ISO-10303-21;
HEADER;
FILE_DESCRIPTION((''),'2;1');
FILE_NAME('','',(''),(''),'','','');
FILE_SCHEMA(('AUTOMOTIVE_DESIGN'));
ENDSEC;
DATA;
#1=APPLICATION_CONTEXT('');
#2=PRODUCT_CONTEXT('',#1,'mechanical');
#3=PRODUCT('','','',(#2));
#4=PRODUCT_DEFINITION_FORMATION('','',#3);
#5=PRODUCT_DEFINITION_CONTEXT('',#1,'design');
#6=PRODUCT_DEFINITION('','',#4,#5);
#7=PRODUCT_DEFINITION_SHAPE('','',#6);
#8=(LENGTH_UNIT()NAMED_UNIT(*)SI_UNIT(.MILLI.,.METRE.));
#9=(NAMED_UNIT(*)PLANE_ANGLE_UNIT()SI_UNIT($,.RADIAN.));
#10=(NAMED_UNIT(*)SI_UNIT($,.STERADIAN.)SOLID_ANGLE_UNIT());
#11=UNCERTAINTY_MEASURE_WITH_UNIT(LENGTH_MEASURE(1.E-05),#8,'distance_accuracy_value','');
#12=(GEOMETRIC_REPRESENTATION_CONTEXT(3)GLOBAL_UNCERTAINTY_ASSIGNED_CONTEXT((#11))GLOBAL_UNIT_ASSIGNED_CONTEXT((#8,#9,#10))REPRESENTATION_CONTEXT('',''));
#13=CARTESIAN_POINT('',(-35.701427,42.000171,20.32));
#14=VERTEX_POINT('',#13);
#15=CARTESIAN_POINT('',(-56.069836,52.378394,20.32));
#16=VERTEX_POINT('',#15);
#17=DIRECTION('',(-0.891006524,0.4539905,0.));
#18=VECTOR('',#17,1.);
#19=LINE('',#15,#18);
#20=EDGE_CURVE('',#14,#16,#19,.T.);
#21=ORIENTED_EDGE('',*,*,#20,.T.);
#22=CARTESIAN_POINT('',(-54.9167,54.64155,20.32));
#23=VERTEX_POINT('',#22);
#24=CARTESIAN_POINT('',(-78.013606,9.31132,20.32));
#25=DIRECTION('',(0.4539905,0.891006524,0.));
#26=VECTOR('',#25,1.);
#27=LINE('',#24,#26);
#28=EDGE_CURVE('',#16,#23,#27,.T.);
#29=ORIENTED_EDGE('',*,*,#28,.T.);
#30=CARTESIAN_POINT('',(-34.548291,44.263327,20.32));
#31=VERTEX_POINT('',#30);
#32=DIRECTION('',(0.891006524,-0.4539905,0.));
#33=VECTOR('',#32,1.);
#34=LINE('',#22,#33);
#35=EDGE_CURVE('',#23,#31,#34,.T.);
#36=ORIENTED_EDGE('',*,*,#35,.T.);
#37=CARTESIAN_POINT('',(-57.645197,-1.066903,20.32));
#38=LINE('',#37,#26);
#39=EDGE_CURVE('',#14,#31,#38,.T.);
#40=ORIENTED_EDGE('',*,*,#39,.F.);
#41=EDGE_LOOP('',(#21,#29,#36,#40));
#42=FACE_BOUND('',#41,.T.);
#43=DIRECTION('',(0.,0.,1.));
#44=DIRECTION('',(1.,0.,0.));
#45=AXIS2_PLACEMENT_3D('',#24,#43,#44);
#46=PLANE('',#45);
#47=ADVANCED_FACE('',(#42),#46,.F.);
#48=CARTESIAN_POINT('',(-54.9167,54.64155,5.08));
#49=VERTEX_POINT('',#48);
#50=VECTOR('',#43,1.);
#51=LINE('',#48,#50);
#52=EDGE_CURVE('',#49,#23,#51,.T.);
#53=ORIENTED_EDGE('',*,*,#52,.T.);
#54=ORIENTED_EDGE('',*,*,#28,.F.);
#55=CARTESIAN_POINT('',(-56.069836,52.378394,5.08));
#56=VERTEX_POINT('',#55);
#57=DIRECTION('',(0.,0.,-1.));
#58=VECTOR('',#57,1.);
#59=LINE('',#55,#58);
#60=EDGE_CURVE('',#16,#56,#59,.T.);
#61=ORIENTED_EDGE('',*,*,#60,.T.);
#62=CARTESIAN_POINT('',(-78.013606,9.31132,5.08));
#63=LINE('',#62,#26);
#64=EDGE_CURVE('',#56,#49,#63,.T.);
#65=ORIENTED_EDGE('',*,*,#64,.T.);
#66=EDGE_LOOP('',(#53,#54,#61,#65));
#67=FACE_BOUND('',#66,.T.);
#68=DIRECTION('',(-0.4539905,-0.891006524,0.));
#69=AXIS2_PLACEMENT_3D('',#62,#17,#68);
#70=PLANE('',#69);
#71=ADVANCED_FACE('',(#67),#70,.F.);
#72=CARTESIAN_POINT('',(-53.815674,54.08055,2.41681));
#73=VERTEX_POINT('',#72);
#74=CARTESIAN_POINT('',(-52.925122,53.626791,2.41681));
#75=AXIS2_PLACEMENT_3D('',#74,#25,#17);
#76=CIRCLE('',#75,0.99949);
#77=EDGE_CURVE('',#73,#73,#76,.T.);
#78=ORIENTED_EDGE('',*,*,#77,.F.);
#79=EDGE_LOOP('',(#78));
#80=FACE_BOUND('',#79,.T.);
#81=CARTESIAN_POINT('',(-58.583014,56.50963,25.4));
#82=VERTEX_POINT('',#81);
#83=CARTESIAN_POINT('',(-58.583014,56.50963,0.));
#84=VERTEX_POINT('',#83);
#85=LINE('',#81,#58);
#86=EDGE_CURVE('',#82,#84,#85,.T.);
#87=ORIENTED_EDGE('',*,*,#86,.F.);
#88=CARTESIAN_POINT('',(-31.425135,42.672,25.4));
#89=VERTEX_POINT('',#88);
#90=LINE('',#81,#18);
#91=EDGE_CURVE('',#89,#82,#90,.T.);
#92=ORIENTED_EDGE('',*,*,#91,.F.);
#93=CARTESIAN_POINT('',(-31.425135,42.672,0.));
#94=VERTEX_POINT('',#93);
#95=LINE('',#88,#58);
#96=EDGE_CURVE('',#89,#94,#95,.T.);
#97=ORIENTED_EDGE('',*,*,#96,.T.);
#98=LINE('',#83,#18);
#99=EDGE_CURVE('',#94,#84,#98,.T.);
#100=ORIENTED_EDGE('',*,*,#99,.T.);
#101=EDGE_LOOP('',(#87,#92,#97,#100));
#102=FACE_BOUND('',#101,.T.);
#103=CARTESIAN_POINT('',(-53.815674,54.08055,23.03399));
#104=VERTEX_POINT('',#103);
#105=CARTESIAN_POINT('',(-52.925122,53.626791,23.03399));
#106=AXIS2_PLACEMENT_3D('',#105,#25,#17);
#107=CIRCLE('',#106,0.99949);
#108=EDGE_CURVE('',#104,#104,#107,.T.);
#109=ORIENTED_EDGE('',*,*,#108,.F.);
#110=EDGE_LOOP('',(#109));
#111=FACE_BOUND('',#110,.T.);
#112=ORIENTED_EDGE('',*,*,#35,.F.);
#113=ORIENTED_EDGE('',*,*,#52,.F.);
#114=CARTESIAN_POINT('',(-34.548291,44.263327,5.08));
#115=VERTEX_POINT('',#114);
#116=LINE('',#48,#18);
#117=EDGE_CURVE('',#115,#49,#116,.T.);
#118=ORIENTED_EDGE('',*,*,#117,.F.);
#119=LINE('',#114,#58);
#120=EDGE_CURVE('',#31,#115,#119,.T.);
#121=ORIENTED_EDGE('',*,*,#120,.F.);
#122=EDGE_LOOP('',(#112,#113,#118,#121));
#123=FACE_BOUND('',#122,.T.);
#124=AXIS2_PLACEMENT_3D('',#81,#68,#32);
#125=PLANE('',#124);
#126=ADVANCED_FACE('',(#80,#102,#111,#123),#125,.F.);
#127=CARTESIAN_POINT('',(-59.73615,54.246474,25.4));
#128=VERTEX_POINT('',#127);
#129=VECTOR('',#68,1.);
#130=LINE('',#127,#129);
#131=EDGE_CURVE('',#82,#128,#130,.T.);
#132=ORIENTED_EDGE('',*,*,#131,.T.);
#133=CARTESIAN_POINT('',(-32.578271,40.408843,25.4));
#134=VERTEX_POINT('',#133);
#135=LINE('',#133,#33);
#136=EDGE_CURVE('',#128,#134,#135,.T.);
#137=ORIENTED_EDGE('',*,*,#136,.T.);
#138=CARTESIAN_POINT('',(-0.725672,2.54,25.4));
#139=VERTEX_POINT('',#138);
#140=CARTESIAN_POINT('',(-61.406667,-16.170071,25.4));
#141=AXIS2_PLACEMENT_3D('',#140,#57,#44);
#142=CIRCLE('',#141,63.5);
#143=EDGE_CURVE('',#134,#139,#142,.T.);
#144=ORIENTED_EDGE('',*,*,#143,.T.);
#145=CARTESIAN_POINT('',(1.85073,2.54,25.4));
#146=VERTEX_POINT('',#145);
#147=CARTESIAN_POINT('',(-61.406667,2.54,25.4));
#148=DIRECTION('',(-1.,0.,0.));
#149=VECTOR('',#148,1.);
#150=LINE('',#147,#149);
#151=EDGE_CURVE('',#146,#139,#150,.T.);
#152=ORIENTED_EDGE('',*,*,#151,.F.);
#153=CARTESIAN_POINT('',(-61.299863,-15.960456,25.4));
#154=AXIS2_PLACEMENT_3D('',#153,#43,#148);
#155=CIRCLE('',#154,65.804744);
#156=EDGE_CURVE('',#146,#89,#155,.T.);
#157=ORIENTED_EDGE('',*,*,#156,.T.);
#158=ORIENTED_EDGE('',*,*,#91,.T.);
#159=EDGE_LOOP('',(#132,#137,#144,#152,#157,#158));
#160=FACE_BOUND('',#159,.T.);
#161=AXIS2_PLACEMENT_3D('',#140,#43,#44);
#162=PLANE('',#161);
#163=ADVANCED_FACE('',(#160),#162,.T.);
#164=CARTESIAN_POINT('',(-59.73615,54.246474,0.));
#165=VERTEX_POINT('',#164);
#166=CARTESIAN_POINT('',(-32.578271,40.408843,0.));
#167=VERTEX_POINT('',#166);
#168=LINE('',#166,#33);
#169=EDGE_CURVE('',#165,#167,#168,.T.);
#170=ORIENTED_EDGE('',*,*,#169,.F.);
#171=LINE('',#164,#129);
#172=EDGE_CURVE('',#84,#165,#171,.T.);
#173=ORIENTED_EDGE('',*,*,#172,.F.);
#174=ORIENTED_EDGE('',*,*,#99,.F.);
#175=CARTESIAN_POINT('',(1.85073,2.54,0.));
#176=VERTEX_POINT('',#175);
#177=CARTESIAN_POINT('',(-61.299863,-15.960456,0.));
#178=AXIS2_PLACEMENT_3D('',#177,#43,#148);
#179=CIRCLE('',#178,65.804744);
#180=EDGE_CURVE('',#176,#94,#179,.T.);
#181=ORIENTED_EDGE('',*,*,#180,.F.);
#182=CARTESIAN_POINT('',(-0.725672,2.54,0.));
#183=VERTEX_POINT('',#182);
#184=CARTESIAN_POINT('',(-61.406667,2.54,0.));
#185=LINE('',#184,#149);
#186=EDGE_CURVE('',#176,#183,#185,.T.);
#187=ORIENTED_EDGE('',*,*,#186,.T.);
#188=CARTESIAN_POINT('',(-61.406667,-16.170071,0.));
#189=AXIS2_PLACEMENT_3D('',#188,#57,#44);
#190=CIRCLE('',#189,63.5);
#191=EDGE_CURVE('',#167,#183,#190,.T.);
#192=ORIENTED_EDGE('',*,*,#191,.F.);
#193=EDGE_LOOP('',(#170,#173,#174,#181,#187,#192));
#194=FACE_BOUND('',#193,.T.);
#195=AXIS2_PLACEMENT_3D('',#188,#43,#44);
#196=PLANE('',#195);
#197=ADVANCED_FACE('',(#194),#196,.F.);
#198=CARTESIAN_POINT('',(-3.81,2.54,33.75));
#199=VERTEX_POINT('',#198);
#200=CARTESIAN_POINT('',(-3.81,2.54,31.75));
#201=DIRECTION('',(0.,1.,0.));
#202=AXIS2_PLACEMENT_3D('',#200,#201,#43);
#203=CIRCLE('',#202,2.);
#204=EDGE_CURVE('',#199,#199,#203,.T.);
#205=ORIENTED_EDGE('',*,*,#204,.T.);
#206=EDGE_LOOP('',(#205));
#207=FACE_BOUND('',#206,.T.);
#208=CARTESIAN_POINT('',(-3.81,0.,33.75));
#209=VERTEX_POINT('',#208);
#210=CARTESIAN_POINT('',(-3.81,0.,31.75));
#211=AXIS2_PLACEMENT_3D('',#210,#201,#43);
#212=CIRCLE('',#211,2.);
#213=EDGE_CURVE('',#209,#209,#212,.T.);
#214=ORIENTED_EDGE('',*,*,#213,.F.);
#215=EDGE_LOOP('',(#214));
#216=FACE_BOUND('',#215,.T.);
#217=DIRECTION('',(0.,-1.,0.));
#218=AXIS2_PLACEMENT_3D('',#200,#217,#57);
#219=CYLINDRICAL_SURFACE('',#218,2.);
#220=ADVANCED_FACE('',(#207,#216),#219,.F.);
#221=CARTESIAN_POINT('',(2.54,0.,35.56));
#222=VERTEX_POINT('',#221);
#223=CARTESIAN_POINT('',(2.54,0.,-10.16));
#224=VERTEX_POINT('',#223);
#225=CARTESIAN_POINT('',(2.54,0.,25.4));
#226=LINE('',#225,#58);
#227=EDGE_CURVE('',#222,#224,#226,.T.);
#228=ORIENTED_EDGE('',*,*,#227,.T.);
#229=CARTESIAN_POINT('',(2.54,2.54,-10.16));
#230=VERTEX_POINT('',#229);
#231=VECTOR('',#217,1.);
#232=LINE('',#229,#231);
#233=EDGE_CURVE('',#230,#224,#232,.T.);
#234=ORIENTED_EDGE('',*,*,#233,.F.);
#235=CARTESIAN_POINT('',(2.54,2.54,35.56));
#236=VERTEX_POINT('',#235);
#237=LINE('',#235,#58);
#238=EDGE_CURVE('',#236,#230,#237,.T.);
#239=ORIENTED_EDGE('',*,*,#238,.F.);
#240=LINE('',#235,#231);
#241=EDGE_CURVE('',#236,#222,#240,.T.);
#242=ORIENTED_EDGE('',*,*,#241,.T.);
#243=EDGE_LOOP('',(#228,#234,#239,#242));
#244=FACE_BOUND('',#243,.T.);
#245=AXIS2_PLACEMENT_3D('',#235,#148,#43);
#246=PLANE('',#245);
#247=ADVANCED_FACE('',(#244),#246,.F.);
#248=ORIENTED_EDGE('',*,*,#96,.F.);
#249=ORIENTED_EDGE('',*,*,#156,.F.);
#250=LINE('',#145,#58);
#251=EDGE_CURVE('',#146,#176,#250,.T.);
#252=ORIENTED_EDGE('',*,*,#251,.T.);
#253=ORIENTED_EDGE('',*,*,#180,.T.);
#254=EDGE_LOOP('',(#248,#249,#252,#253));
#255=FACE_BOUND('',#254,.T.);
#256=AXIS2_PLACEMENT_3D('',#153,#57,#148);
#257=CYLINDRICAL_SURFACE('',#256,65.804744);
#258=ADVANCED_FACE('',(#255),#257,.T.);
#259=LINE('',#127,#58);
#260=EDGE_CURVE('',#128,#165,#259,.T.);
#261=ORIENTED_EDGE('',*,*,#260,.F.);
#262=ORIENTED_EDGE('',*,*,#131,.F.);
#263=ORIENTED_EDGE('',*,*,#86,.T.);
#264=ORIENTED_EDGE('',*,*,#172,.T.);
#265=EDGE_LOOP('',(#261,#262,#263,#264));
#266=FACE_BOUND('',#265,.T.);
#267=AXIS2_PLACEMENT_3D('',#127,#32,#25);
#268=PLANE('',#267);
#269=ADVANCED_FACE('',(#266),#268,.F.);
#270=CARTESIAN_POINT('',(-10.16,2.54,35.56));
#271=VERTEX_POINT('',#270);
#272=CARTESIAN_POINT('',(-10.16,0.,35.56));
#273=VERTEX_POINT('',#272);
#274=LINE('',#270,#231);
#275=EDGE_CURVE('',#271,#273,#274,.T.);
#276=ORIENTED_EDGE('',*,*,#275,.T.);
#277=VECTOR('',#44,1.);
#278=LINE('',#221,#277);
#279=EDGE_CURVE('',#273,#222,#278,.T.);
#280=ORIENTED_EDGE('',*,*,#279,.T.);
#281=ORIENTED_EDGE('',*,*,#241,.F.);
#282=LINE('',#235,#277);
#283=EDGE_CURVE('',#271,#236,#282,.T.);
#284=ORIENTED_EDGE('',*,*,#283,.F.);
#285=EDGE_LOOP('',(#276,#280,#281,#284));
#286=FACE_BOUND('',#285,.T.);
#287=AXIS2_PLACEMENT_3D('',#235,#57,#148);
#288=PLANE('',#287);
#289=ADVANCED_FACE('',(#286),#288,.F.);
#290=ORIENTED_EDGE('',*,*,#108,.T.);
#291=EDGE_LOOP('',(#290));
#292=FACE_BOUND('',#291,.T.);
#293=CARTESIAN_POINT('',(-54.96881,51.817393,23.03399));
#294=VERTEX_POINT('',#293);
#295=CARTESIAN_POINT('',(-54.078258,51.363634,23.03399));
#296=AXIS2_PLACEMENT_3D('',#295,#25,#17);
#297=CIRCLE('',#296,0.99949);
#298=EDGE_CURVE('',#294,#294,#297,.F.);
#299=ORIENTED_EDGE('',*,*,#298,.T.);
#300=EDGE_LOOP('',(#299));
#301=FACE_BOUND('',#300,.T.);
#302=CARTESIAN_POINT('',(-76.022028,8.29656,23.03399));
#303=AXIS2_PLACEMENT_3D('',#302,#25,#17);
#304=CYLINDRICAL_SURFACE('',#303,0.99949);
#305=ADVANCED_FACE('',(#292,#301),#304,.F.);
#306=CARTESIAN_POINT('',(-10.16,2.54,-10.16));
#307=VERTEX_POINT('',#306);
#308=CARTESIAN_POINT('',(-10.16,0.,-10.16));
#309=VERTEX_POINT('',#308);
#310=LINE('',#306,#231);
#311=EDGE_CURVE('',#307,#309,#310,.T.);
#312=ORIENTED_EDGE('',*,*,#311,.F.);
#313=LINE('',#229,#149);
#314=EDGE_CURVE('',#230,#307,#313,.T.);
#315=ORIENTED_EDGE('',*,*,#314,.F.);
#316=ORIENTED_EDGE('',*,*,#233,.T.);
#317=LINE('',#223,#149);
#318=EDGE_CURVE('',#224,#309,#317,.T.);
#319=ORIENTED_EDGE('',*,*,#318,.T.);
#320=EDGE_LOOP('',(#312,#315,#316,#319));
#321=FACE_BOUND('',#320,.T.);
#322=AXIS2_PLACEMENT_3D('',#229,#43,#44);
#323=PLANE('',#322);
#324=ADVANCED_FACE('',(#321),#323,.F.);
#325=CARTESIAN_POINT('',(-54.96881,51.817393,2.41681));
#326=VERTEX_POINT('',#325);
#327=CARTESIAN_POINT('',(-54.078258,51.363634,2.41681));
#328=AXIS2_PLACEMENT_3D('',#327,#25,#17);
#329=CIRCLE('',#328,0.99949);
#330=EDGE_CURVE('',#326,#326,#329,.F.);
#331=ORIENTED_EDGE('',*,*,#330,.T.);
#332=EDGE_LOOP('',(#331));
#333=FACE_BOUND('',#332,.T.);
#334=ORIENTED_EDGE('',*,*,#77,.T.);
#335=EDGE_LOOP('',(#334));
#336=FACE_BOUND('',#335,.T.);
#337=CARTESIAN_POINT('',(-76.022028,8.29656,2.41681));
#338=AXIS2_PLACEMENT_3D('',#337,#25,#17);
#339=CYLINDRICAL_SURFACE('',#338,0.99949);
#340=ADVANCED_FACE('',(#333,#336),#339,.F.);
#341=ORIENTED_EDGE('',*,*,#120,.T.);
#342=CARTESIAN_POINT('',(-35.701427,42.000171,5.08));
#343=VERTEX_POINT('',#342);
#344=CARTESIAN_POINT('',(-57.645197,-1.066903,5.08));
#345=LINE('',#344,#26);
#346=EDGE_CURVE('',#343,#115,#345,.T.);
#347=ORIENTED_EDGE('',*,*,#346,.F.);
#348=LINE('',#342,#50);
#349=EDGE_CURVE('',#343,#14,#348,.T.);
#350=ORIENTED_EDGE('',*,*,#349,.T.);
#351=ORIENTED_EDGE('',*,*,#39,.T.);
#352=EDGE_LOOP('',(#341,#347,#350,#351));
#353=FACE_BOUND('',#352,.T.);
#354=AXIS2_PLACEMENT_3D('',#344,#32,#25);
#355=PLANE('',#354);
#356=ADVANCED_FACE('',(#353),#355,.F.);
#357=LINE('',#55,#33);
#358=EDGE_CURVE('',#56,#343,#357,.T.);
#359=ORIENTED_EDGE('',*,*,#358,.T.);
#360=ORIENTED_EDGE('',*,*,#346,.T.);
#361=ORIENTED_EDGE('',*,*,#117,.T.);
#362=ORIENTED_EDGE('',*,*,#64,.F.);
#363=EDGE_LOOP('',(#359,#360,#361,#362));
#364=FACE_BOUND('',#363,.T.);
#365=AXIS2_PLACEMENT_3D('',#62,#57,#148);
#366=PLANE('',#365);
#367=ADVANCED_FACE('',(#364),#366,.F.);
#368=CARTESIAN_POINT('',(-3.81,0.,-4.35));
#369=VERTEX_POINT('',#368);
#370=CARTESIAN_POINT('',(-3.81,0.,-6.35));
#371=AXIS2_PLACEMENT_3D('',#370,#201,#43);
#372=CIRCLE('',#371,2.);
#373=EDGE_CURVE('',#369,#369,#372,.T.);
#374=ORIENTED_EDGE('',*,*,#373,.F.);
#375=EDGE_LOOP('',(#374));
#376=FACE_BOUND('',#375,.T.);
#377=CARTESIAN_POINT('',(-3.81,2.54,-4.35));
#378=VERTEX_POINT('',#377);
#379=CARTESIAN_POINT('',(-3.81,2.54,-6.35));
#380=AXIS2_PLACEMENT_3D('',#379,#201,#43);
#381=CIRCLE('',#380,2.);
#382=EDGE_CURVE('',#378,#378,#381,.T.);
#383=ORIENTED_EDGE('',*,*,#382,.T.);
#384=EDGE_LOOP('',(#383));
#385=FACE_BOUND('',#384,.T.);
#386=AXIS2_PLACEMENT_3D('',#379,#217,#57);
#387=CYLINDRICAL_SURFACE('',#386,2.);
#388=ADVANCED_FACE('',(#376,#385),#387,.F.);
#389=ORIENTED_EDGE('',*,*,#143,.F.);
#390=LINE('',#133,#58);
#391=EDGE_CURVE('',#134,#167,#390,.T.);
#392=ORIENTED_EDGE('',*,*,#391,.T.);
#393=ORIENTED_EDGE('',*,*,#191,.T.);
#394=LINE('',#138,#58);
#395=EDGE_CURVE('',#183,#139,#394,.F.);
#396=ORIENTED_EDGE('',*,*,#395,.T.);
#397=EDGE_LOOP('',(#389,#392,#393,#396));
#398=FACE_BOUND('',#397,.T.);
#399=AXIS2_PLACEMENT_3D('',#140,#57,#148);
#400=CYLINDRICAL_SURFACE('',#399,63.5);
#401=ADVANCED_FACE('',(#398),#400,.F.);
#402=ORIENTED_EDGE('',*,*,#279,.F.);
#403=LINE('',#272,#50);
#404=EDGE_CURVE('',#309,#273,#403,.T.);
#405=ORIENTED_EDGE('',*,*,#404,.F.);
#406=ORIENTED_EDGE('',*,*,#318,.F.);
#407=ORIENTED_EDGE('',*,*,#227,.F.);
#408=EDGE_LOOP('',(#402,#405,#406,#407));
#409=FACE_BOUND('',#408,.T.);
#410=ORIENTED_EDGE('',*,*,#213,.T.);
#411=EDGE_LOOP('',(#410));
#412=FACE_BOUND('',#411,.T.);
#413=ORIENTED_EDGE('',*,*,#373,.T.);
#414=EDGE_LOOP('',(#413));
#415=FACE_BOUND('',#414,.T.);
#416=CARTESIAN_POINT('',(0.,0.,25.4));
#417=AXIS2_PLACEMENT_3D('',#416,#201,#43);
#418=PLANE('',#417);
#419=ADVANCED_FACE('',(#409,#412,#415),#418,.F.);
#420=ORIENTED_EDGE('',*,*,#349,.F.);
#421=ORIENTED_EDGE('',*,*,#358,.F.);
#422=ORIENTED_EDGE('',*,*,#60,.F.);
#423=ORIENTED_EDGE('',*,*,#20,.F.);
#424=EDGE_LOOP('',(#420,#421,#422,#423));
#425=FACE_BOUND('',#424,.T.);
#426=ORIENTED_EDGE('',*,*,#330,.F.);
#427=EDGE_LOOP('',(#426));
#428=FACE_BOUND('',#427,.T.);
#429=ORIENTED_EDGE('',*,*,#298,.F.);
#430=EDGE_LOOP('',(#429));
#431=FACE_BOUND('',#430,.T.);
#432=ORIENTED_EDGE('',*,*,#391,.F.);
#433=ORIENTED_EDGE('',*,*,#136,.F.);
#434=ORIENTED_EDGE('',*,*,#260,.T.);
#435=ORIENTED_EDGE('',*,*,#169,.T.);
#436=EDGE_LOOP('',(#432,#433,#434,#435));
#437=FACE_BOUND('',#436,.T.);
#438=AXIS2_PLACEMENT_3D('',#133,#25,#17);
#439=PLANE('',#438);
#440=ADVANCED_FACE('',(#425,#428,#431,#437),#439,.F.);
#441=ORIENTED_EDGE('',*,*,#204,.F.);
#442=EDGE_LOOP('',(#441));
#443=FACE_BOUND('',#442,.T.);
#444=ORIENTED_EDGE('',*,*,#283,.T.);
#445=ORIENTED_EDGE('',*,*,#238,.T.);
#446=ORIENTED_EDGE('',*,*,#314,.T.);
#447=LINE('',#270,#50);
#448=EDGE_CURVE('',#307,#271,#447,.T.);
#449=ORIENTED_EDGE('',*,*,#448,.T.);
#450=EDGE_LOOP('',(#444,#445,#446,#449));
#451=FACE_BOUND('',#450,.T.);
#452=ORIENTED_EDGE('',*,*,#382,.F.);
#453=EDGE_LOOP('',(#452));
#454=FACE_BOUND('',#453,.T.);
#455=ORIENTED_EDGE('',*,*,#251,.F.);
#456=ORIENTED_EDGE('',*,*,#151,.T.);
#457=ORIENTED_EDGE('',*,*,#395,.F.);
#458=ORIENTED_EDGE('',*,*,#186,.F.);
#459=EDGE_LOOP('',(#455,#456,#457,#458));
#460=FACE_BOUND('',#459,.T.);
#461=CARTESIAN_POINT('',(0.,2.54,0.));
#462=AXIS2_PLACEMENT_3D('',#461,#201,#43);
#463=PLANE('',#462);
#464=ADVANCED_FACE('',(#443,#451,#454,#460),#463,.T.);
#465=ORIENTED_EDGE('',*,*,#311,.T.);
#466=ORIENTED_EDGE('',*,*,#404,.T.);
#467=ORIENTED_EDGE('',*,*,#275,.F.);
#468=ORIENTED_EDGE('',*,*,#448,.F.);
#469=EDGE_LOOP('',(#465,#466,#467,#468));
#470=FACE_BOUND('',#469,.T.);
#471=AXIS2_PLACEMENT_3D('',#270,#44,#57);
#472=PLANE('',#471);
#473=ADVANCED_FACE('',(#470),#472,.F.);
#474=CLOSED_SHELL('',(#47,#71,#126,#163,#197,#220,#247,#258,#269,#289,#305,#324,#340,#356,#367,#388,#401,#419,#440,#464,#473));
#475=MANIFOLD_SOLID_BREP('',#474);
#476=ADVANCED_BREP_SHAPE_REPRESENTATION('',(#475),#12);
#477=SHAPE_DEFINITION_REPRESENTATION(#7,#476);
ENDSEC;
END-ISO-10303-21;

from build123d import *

# Parameters (mm, degrees)
BOSS_EXTRUDE1_DEPTH = 25.4
CUT_EXTRUDE1_REACH  = 84.87
SKETCH2_R           = 0.99949
SKETCH2_W           = 22.86
SKETCH2_H           = 15.24
SKETCH3_W           = 12.7
SKETCH3_H           = 45.72
SKETCH3_R           = 2
BOSS_EXTRUDE2_DEPTH = 2.54


with BuildPart() as part:
    # Sketch1 → Boss-Extrude1 (new body)
    with BuildSketch(Plane.XY):
        with BuildLine():
            Line((-32.578270726, 40.408843429), (-59.736149583, 54.246473861))
            Line((-59.736149583, 54.246473861), (-58.583013714, 56.509630432))
            Line((-58.583013714, 56.509630432), (-31.425134857, 42.672))
            ThreePointArc((-31.425134857, 42.672), (-9.813641153, 25.020432537), (2.54, 0))
            Line((2.54, 0), (0, 0))
            ThreePointArc((0, 0), (-11.97175713, 23.685162685), (-32.578270726, 40.408843429))
        make_face()
    extrude(amount=BOSS_EXTRUDE1_DEPTH)

    # Sketch2 → Cut-Extrude1 (cut, up to next)
    with BuildSketch(Plane(origin=(10.784234574, 21.165252068, 0), x_dir=(0.8910065241883675, -0.45399049973954775, 0), z_dir=(0.45399049973954775, 0.8910065241883675, 0)), mode=Mode.PRIVATE) as cut_extrude1_sk1:
        with Locations(Location((-71.502682786, -2.41681, 0), (0, 0, 180))):
            Circle(SKETCH2_R)
    cut_extrude1_tool1 = extrude(cut_extrude1_sk1.sketch, amount=-CUT_EXTRUDE1_REACH, mode=Mode.PRIVATE) & part.part
    # Sketch2 → Cut-Extrude1 (cut, up to next)
    with BuildSketch(Plane(origin=(10.784234574, 21.165252068, 0), x_dir=(0.8910065241883675, -0.45399049973954775, 0), z_dir=(0.45399049973954775, 0.8910065241883675, 0)), mode=Mode.PRIVATE) as cut_extrude1_sk2:
        with Locations(Location((-71.502682786, -23.03399, 0), (0, 0, 180))):
            Circle(SKETCH2_R)
    cut_extrude1_tool2 = extrude(cut_extrude1_sk2.sketch, amount=-CUT_EXTRUDE1_REACH, mode=Mode.PRIVATE) & part.part
    # Sketch2 → Cut-Extrude1 (cut, up to next)
    with BuildSketch(Plane(origin=(10.784234574, 21.165252068, 0), x_dir=(0.8910065241883675, -0.45399049973954775, 0), z_dir=(0.45399049973954775, 0.8910065241883675, 0)), mode=Mode.PRIVATE) as cut_extrude1_sk3:
        with Locations((-62.307882786, -12.7)):
            Rectangle(SKETCH2_W, SKETCH2_H)
    cut_extrude1_tool3 = extrude(cut_extrude1_sk3.sketch, amount=-CUT_EXTRUDE1_REACH, mode=Mode.PRIVATE) & part.part
    add(cut_extrude1_tool1.solids().sort_by_distance((-52.925122, 53.626791, 2.41681))[0], mode=Mode.SUBTRACT)
    add(cut_extrude1_tool2.solids().sort_by_distance((-52.925122, 53.626791, 23.03399))[0], mode=Mode.SUBTRACT)
    add(cut_extrude1_tool3.solids().sort_by_distance((-44.732495, 49.452439, 12.7))[0], mode=Mode.SUBTRACT)

    # Sketch3 → Boss-Extrude2 (add)
    with BuildSketch(Plane(origin=(0, 0, 0), x_dir=(1, 0, 0), z_dir=(0, 1, 0))):
        with Locations((-3.81, -12.7)):
            Rectangle(SKETCH3_W, SKETCH3_H)
        with Locations(Location((-3.81, 6.35, 0), (0, 0, 270))):
            Circle(SKETCH3_R, mode=Mode.SUBTRACT)
        with Locations(Location((-3.81, -31.75, 0), (0, 0, 270))):
            Circle(SKETCH3_R, mode=Mode.SUBTRACT)
    extrude(amount=BOSS_EXTRUDE2_DEPTH)


solid = part.part
